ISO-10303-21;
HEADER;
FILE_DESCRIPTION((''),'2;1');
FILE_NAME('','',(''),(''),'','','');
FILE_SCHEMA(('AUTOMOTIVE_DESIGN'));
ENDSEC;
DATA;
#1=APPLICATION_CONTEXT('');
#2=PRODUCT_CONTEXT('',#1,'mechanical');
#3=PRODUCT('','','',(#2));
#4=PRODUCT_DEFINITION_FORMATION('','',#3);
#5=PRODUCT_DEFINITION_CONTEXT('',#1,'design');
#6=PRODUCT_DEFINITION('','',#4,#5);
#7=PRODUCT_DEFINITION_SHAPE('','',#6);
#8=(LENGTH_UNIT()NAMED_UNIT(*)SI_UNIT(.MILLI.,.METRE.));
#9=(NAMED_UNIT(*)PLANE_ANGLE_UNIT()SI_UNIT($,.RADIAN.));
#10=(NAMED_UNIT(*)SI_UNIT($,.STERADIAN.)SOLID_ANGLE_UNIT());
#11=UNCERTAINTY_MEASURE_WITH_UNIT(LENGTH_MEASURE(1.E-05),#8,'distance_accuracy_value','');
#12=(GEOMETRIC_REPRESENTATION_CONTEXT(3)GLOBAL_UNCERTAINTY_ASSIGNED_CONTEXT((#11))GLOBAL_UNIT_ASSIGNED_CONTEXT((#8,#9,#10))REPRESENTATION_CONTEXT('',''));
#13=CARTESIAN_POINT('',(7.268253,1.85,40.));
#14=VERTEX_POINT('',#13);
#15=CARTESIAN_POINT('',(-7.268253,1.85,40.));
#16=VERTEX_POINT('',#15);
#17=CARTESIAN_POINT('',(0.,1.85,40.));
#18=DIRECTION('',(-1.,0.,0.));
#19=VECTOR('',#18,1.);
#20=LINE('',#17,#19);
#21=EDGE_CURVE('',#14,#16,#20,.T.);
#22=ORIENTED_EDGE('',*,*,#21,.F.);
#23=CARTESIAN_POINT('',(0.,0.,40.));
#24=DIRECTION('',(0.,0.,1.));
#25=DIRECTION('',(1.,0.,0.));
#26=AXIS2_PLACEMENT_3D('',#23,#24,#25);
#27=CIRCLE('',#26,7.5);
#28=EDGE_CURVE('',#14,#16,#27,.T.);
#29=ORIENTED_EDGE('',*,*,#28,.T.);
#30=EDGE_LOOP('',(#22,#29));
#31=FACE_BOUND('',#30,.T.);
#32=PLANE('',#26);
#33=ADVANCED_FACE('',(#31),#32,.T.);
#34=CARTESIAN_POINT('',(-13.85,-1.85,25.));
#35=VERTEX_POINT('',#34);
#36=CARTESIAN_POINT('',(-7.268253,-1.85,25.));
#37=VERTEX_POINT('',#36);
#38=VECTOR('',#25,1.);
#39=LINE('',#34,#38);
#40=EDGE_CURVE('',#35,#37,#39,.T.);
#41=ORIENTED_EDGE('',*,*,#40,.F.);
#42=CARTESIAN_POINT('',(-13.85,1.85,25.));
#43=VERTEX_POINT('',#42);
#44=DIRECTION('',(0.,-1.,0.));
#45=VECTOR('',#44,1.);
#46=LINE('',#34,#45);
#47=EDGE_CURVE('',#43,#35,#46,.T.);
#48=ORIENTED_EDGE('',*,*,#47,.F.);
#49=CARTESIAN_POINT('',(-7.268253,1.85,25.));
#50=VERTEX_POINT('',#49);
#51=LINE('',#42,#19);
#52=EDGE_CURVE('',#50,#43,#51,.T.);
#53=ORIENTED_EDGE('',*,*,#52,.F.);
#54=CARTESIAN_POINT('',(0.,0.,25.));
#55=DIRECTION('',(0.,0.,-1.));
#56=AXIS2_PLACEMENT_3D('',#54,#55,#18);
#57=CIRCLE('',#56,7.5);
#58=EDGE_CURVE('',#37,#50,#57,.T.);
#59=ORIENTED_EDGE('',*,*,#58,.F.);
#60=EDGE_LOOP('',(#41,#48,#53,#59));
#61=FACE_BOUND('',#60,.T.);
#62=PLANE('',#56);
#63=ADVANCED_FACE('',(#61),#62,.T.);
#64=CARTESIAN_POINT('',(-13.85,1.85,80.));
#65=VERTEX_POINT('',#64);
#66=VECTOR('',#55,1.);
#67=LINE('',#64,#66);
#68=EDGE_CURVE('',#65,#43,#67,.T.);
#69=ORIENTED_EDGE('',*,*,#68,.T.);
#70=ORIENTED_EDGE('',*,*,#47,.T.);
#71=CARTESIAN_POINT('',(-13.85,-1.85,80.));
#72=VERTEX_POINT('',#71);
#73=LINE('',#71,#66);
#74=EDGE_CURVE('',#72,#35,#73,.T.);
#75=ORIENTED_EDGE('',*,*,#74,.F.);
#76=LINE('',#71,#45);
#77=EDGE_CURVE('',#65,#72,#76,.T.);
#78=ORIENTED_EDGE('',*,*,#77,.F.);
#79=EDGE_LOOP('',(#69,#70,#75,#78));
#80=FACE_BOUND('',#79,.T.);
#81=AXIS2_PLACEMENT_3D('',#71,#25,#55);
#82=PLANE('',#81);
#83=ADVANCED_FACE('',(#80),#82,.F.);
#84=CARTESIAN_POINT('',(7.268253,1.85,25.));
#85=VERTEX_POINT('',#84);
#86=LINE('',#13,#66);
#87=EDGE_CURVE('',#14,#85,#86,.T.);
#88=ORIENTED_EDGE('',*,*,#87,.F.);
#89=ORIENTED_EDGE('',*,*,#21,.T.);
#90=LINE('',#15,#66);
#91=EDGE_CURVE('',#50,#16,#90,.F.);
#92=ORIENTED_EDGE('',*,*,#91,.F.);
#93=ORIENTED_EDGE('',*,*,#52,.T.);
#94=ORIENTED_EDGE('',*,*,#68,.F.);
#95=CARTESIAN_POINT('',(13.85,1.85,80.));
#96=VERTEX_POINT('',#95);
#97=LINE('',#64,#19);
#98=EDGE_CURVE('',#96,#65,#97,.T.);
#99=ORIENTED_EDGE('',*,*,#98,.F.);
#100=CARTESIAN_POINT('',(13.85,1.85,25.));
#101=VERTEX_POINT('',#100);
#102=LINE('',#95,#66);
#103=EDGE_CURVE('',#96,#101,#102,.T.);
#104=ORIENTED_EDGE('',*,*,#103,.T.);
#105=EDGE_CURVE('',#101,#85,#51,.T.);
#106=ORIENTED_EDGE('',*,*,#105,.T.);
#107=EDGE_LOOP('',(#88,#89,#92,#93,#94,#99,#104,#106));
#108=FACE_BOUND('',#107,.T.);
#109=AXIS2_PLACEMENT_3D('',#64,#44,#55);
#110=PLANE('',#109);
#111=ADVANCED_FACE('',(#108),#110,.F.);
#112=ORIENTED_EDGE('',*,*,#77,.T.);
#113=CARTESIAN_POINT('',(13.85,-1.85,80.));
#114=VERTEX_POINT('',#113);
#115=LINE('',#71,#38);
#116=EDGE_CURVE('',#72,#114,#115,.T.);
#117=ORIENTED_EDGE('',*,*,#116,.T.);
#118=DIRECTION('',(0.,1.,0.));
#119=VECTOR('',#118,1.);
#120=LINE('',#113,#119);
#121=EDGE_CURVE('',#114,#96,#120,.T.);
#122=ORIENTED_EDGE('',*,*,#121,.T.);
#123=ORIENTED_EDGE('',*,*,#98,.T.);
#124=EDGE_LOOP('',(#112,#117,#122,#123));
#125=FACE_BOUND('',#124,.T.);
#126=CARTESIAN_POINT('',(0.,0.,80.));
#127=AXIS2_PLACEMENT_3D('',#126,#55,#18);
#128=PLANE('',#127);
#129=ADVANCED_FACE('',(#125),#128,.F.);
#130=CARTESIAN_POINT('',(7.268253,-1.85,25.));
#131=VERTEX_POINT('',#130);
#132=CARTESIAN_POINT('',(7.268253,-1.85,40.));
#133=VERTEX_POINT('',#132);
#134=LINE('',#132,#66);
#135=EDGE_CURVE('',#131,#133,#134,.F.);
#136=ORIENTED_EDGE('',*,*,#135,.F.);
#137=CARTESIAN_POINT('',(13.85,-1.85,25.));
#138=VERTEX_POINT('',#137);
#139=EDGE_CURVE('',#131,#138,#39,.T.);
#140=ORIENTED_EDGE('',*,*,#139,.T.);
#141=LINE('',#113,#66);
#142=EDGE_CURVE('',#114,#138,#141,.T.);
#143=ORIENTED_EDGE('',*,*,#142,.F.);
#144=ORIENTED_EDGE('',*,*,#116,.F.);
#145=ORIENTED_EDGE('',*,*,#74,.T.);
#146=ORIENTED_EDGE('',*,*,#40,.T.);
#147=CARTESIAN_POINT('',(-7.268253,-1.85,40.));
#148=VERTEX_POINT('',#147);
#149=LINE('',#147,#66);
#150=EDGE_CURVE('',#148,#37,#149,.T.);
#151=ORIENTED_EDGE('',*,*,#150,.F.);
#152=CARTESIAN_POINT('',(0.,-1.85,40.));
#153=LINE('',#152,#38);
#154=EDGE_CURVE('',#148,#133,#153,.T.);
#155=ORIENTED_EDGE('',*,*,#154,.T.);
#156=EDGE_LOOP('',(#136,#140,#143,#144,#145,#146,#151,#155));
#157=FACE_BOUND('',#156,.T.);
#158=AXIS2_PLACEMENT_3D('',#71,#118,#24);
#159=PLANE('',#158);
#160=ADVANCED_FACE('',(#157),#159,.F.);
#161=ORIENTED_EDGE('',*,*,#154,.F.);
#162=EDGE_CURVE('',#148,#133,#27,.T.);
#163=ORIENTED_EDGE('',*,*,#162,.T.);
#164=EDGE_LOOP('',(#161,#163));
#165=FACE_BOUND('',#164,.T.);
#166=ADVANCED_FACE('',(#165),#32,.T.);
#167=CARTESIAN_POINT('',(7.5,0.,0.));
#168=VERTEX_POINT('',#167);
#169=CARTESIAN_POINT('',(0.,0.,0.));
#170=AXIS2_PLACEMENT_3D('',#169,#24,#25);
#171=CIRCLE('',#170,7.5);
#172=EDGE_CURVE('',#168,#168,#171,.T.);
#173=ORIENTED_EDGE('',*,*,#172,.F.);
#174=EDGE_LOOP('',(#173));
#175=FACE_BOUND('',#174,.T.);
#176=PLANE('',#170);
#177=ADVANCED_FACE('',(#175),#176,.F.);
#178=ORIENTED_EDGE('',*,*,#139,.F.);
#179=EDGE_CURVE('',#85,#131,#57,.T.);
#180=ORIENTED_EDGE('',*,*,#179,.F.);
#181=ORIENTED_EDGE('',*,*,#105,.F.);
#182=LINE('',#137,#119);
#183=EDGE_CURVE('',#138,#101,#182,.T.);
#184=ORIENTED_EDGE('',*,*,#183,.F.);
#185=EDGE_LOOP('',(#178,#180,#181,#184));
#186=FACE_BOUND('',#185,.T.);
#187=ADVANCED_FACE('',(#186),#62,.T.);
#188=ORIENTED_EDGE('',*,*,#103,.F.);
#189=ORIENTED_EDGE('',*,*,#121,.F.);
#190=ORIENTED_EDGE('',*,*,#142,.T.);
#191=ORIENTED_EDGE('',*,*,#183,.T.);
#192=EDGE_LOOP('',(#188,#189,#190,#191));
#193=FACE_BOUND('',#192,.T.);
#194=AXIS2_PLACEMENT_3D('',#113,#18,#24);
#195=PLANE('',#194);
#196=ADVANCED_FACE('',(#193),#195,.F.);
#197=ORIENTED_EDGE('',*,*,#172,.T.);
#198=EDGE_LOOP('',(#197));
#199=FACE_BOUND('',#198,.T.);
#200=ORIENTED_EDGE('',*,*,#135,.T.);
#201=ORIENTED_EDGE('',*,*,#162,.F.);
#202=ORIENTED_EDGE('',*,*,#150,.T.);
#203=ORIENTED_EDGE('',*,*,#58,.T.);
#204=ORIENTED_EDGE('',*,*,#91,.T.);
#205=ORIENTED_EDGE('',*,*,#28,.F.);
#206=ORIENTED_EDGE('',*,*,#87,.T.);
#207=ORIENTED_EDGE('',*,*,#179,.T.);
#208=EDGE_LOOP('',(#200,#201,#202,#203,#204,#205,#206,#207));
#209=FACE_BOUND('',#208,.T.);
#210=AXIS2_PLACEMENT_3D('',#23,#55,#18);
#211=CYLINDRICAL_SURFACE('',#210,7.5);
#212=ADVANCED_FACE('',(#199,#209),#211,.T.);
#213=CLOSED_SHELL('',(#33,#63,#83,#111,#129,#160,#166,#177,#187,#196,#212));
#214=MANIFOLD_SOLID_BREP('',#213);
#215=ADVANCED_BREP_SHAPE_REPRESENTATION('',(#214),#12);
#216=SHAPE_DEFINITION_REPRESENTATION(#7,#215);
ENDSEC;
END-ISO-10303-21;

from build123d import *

# Parameters (mm, degrees)
SKETCH5_R           = 7.5
BOSS_EXTRUDE3_DEPTH = 40
SKETCH10_W          = 27.7
SKETCH10_H          = 3.7
CUT_EXTRUDE2_DEPTH  = 15
SKETCH11_W          = 27.7
SKETCH11_H          = 3.7
BOSS_EXTRUDE5_DEPTH = 55


with BuildPart() as part:
    # Sketch5 → Boss-Extrude3 (new body)
    with BuildSketch(Plane.XY):
        Circle(SKETCH5_R)
    extrude(amount=BOSS_EXTRUDE3_DEPTH)

    # Sketch10 → Cut-Extrude2 (cut)
    with BuildSketch(Plane.XY.offset(40)):
        Rectangle(SKETCH10_W, SKETCH10_H)
    extrude(amount=-CUT_EXTRUDE2_DEPTH, mode=Mode.SUBTRACT)

    # Sketch11 → Boss-Extrude5 (add)
    with BuildSketch(Plane.XY.offset(25)):
        Rectangle(SKETCH11_W, SKETCH11_H)
    extrude(amount=BOSS_EXTRUDE5_DEPTH)


solid = part.part
